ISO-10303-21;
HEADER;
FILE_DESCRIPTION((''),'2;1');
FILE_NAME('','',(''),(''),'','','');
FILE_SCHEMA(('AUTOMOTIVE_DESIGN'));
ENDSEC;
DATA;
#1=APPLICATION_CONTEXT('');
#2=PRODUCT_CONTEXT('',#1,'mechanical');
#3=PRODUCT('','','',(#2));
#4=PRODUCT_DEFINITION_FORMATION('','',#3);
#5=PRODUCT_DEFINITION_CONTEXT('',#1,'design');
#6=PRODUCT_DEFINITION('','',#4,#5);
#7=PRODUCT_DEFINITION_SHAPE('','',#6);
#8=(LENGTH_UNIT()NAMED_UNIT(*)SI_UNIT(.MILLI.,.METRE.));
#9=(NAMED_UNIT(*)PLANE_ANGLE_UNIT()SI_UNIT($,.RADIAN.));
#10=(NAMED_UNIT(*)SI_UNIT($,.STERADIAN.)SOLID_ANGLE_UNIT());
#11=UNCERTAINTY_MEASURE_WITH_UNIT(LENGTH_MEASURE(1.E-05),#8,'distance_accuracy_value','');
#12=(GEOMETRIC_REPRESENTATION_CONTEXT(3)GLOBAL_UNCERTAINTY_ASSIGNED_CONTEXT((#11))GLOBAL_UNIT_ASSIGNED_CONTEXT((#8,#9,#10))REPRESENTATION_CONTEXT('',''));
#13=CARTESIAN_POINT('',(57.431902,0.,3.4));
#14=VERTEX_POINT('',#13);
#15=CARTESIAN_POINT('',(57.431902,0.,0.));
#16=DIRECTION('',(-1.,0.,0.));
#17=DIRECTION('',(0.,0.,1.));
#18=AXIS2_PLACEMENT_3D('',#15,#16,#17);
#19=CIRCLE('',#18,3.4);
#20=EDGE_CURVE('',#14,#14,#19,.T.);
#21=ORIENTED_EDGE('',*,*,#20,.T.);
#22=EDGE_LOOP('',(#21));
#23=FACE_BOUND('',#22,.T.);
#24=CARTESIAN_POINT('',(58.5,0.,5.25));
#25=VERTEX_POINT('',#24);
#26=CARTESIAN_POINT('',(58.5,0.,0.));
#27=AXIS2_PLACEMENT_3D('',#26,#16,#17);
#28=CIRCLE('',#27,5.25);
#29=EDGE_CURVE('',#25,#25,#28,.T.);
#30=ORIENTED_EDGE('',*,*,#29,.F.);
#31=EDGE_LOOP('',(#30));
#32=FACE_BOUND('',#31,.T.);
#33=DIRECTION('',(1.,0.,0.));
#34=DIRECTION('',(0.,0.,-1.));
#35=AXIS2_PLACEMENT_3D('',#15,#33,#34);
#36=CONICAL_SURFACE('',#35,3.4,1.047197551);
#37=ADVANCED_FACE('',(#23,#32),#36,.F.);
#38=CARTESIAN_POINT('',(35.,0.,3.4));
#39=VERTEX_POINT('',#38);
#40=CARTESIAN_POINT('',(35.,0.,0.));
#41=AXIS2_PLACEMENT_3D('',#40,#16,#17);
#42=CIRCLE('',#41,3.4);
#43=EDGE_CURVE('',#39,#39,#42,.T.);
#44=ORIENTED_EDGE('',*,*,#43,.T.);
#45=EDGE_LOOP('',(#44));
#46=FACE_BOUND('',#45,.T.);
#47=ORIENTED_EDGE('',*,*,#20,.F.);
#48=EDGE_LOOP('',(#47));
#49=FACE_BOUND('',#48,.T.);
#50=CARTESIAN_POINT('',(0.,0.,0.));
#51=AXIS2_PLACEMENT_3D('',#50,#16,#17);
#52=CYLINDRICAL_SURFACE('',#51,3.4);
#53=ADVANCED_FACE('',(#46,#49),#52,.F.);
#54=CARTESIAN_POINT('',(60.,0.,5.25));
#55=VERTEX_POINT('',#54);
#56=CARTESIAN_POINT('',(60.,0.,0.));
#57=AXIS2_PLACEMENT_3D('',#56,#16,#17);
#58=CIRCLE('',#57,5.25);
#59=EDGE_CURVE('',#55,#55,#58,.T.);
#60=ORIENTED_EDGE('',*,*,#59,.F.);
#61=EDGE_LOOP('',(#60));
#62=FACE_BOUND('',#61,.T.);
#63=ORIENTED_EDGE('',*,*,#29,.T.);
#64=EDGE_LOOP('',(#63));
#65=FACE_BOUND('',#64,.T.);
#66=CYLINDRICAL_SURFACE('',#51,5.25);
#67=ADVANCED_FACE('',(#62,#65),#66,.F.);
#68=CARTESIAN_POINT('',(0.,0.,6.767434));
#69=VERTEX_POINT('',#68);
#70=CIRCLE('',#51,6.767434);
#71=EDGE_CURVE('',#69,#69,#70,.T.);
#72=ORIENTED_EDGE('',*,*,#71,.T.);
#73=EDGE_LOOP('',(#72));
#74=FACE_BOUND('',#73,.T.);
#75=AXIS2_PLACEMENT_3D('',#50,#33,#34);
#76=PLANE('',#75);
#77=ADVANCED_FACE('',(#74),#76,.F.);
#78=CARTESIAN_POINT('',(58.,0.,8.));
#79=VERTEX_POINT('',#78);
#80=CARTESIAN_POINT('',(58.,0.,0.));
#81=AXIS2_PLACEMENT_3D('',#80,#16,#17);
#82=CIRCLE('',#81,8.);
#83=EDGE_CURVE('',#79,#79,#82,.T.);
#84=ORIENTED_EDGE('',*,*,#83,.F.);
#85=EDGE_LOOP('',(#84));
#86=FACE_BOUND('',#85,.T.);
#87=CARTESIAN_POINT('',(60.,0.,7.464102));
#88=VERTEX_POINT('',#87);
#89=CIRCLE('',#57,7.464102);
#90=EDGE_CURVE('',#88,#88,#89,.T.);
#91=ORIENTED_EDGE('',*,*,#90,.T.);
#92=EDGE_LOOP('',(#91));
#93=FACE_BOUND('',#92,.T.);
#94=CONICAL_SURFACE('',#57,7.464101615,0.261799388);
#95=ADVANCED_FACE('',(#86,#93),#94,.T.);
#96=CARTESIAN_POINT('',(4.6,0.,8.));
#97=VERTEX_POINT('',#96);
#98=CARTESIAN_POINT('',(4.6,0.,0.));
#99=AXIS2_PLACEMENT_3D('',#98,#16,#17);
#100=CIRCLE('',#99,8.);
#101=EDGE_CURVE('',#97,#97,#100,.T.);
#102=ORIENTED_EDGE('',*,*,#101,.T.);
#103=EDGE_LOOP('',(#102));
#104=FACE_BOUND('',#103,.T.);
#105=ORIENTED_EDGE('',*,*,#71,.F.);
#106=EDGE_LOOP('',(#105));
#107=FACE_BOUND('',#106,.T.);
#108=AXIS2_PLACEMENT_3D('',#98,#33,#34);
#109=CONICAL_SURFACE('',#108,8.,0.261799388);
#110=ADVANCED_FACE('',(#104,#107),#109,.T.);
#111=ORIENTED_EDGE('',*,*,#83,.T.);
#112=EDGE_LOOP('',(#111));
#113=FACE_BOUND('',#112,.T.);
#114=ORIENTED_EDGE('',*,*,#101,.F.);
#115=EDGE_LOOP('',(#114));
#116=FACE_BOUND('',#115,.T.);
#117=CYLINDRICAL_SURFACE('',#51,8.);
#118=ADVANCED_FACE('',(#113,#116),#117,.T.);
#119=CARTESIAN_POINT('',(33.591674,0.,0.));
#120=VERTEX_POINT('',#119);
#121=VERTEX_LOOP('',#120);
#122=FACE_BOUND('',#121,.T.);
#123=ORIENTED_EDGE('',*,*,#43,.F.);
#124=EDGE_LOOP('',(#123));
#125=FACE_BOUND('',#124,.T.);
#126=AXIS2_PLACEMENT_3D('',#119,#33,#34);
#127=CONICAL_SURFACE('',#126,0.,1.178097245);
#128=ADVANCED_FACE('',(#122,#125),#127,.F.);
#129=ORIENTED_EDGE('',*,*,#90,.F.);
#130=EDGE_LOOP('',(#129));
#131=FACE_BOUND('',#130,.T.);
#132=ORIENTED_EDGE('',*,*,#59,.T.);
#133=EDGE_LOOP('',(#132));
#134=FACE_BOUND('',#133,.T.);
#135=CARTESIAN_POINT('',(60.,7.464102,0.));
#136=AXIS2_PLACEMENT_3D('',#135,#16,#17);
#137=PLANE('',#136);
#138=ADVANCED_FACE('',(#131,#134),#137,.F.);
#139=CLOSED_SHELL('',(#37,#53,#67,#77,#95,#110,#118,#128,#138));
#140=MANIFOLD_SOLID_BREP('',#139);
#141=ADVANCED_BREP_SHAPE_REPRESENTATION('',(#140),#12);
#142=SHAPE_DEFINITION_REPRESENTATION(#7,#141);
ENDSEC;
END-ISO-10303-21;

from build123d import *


with BuildPart() as part:
    # BodySke → Body (revolve)
    with BuildSketch(Plane.XY, mode=Mode.PRIVATE) as body_sk:
        Polygon((4.6, 8), (58, 8), (60, 7.464101615), (60, 5.25), (58.5, 5.25), (57.431902002, 3.4), (35, 3.4), (33.591673888, 0), (0, 0), (0, 6.767433715), align=None)
    revolve(body_sk.sketch.rotate(Axis((0, 0, 0), (1, 0, 0)), 90), axis=Axis((0, 0, 0), (1, 0, 0)))


solid = part.part
